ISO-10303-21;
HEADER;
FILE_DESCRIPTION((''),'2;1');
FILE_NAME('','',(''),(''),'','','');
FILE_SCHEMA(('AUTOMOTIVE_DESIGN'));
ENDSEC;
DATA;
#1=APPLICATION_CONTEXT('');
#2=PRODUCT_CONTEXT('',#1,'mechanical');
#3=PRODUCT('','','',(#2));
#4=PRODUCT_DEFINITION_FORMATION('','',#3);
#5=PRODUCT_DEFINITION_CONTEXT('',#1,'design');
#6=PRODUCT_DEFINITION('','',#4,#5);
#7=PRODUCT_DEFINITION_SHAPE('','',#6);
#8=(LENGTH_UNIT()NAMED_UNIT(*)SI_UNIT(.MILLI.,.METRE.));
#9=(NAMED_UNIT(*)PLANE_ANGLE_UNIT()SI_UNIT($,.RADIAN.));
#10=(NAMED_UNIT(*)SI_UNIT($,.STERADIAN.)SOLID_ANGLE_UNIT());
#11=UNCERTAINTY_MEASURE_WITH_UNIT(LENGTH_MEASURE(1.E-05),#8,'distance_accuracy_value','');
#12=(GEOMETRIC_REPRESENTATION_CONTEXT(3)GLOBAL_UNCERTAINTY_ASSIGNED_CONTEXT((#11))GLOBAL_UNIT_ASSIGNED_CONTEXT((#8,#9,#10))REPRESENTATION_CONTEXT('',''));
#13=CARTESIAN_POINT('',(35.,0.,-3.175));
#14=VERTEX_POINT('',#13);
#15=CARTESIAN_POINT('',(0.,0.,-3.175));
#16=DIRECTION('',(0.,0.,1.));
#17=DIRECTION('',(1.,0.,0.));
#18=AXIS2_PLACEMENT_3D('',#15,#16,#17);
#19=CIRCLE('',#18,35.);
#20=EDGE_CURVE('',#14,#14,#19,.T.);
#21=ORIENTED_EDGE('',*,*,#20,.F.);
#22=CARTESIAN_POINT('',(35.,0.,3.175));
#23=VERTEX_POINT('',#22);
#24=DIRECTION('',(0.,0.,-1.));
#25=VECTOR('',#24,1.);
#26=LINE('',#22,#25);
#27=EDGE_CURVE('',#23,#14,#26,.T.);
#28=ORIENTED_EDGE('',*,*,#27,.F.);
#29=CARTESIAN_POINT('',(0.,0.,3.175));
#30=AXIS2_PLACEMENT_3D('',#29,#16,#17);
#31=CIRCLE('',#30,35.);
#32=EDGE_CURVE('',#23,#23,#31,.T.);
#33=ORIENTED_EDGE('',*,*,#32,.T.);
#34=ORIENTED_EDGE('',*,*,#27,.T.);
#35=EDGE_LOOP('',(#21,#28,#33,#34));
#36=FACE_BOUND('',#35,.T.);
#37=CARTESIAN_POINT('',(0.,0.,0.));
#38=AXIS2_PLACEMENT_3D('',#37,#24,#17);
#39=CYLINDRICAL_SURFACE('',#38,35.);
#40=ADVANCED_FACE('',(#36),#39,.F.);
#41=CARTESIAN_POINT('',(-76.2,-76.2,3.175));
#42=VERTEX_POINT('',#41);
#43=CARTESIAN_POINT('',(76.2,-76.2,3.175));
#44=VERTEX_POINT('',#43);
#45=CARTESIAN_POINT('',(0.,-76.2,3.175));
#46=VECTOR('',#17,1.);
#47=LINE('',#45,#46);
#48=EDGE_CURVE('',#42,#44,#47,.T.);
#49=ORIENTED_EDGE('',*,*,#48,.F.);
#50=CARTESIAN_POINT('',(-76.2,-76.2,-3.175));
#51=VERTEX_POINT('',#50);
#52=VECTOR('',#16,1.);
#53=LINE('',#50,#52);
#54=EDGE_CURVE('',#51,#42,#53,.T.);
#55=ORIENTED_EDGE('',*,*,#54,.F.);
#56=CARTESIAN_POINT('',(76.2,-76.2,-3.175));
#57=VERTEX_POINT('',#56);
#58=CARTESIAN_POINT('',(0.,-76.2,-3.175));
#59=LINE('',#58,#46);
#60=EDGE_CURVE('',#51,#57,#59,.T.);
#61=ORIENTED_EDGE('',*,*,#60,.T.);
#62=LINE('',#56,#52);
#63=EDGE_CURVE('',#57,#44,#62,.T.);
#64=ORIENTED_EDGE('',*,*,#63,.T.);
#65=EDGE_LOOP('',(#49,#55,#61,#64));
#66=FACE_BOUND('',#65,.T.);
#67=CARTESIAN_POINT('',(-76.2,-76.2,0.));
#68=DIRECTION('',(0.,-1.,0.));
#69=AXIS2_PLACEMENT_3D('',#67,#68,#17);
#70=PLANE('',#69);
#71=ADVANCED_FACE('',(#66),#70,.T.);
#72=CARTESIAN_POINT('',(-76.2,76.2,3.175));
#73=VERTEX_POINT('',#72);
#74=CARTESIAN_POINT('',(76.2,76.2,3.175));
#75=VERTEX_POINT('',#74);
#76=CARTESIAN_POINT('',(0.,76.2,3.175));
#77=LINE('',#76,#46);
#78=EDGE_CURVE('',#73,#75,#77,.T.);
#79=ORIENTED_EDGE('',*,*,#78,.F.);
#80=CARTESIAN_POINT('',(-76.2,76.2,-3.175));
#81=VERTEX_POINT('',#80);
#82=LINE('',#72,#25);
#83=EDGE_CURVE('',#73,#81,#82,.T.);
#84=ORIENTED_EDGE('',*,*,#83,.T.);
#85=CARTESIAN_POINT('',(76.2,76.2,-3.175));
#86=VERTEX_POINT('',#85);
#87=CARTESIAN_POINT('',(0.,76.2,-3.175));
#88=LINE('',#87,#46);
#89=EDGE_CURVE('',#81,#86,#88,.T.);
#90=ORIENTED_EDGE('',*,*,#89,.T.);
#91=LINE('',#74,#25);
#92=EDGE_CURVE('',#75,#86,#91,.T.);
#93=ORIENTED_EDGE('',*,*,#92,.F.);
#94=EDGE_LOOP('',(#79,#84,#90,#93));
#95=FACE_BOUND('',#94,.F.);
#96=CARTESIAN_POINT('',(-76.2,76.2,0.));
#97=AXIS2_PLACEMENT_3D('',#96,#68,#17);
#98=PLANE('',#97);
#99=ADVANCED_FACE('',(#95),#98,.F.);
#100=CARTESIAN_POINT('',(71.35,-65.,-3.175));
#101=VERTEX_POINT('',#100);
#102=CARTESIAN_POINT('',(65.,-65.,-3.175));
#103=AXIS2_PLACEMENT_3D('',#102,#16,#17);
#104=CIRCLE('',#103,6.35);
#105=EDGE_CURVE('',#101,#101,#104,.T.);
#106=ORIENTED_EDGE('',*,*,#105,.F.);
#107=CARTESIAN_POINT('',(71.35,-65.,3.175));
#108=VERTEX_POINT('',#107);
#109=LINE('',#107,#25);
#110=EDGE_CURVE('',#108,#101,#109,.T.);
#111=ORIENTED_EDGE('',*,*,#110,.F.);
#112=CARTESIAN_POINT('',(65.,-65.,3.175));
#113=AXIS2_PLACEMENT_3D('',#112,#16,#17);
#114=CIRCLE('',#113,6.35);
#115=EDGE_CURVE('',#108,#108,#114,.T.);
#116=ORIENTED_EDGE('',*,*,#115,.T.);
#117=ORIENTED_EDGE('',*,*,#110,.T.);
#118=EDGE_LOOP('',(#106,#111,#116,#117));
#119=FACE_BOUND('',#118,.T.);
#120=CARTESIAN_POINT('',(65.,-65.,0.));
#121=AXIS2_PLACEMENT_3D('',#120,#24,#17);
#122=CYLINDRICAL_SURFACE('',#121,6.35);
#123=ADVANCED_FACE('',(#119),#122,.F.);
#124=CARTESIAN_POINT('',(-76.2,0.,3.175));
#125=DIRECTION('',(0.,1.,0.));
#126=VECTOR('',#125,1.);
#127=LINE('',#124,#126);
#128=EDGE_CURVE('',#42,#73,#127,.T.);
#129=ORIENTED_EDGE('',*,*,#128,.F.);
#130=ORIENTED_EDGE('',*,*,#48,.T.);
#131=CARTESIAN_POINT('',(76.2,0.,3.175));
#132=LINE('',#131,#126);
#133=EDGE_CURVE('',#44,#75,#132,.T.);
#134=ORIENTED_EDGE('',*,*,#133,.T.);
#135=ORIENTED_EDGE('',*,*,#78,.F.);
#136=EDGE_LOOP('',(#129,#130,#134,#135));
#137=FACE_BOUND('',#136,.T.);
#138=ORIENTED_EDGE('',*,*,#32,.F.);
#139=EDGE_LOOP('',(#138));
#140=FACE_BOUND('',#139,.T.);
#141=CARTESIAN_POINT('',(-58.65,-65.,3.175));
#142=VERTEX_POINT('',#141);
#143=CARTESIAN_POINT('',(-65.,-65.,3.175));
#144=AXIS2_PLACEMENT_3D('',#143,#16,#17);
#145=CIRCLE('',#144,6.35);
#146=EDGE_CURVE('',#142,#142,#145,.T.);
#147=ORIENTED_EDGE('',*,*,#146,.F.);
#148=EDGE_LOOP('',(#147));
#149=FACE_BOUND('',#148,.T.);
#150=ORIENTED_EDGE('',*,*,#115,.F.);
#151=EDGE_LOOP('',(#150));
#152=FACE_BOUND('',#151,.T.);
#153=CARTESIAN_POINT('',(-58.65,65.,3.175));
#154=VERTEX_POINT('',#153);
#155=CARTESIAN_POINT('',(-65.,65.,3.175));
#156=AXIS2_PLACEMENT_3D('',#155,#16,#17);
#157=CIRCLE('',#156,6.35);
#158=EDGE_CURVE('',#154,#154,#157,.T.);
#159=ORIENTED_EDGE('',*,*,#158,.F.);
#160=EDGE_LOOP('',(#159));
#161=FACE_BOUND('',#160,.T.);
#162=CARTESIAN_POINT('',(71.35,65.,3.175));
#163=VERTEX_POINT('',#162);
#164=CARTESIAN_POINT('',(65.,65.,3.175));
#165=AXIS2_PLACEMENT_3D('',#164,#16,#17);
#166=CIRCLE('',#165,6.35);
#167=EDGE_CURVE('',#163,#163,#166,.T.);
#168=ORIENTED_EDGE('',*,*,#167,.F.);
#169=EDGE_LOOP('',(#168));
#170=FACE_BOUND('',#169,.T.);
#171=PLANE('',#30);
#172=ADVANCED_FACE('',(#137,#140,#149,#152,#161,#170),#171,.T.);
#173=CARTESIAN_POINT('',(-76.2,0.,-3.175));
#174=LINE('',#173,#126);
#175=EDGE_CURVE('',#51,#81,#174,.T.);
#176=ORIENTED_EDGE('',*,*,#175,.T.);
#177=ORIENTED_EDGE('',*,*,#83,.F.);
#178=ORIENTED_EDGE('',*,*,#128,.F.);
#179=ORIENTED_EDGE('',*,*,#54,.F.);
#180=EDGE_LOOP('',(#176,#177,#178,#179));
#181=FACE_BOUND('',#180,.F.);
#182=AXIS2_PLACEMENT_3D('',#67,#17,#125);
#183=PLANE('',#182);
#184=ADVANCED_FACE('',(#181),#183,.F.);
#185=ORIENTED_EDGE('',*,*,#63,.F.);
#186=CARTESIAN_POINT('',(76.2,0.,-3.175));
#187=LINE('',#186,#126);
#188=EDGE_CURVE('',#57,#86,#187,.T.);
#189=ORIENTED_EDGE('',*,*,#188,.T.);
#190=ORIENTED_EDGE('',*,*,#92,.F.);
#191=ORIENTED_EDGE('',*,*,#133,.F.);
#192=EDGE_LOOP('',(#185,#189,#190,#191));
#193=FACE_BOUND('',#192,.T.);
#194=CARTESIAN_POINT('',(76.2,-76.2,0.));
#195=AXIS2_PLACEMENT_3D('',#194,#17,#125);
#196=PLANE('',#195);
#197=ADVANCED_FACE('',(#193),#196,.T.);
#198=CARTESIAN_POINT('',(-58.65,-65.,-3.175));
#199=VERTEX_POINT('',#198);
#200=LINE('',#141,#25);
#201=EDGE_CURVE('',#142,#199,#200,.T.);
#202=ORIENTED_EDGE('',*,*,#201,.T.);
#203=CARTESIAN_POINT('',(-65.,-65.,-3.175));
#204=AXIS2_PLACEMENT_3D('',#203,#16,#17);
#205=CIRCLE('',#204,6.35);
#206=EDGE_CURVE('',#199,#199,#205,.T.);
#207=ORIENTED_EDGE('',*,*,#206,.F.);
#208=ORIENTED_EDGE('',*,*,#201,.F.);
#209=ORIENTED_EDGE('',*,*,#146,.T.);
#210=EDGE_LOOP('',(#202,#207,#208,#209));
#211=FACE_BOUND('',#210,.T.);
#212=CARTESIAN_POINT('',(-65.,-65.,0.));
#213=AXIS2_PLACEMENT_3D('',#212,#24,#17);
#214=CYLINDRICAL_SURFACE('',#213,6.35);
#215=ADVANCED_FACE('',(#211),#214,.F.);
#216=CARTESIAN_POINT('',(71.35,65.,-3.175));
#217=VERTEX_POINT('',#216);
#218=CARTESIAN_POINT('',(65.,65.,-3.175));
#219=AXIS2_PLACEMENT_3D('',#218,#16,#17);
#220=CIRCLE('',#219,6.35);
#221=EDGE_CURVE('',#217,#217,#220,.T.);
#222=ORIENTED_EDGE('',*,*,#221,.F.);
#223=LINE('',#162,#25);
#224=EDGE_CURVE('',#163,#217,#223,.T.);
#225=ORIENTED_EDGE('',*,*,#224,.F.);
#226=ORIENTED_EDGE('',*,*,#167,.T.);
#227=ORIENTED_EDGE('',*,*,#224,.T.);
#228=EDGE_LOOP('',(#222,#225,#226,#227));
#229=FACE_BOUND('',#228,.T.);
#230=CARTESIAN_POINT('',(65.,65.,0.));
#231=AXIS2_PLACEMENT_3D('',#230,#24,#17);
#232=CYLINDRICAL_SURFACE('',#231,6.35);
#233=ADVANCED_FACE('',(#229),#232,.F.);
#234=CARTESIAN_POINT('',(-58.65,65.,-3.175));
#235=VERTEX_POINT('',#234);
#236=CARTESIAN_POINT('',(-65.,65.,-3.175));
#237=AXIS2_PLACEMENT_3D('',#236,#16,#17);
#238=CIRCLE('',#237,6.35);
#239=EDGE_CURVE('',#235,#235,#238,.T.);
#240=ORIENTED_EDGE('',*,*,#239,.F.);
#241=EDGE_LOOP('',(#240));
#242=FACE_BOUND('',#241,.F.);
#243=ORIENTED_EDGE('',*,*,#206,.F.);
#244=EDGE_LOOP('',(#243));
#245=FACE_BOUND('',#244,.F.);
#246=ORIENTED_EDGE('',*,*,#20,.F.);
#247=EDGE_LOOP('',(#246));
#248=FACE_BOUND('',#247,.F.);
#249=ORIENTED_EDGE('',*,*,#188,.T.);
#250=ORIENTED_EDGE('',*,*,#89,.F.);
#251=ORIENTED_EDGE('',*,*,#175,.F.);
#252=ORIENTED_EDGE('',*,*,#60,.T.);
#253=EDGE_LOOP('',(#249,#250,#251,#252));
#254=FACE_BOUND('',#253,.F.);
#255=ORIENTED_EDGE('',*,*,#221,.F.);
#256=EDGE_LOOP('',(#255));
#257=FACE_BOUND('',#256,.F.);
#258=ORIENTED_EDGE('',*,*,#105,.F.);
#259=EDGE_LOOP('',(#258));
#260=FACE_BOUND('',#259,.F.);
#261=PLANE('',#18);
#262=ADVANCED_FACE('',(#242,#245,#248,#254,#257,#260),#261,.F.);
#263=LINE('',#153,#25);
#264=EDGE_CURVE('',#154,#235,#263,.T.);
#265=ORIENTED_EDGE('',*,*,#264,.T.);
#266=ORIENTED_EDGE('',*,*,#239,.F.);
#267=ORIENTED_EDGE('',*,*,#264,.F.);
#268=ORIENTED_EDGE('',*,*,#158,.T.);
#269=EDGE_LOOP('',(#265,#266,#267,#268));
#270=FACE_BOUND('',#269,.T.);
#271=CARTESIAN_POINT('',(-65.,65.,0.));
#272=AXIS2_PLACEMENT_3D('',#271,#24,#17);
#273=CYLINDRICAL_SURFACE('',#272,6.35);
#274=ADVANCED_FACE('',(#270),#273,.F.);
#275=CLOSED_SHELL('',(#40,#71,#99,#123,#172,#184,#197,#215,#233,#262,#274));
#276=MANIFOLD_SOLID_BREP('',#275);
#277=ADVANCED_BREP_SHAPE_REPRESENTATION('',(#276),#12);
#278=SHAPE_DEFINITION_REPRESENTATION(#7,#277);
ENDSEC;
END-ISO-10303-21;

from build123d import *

# Parameters (mm, degrees)
F0_W     = 152.4
F0_H     = 152.4
F0_R     = 6.35
F0_R_2   = 35
F1_DEPTH = 3.175


with BuildPart() as f1:
    # F0 (on Top) → F1 (new body, symmetric)
    with BuildSketch(Plane.XY):
        Rectangle(F0_W, F0_H)
        with Locations((-65, -65)):
            Circle(F0_R, mode=Mode.SUBTRACT)
        with Locations((65, -65)):
            Circle(F0_R, mode=Mode.SUBTRACT)
        with Locations((-65, 65)):
            Circle(F0_R, mode=Mode.SUBTRACT)
        Circle(F0_R_2, mode=Mode.SUBTRACT)
        with Locations((65, 65)):
            Circle(F0_R, mode=Mode.SUBTRACT)
    extrude(amount=F1_DEPTH, both=True)


solid = f1.part
